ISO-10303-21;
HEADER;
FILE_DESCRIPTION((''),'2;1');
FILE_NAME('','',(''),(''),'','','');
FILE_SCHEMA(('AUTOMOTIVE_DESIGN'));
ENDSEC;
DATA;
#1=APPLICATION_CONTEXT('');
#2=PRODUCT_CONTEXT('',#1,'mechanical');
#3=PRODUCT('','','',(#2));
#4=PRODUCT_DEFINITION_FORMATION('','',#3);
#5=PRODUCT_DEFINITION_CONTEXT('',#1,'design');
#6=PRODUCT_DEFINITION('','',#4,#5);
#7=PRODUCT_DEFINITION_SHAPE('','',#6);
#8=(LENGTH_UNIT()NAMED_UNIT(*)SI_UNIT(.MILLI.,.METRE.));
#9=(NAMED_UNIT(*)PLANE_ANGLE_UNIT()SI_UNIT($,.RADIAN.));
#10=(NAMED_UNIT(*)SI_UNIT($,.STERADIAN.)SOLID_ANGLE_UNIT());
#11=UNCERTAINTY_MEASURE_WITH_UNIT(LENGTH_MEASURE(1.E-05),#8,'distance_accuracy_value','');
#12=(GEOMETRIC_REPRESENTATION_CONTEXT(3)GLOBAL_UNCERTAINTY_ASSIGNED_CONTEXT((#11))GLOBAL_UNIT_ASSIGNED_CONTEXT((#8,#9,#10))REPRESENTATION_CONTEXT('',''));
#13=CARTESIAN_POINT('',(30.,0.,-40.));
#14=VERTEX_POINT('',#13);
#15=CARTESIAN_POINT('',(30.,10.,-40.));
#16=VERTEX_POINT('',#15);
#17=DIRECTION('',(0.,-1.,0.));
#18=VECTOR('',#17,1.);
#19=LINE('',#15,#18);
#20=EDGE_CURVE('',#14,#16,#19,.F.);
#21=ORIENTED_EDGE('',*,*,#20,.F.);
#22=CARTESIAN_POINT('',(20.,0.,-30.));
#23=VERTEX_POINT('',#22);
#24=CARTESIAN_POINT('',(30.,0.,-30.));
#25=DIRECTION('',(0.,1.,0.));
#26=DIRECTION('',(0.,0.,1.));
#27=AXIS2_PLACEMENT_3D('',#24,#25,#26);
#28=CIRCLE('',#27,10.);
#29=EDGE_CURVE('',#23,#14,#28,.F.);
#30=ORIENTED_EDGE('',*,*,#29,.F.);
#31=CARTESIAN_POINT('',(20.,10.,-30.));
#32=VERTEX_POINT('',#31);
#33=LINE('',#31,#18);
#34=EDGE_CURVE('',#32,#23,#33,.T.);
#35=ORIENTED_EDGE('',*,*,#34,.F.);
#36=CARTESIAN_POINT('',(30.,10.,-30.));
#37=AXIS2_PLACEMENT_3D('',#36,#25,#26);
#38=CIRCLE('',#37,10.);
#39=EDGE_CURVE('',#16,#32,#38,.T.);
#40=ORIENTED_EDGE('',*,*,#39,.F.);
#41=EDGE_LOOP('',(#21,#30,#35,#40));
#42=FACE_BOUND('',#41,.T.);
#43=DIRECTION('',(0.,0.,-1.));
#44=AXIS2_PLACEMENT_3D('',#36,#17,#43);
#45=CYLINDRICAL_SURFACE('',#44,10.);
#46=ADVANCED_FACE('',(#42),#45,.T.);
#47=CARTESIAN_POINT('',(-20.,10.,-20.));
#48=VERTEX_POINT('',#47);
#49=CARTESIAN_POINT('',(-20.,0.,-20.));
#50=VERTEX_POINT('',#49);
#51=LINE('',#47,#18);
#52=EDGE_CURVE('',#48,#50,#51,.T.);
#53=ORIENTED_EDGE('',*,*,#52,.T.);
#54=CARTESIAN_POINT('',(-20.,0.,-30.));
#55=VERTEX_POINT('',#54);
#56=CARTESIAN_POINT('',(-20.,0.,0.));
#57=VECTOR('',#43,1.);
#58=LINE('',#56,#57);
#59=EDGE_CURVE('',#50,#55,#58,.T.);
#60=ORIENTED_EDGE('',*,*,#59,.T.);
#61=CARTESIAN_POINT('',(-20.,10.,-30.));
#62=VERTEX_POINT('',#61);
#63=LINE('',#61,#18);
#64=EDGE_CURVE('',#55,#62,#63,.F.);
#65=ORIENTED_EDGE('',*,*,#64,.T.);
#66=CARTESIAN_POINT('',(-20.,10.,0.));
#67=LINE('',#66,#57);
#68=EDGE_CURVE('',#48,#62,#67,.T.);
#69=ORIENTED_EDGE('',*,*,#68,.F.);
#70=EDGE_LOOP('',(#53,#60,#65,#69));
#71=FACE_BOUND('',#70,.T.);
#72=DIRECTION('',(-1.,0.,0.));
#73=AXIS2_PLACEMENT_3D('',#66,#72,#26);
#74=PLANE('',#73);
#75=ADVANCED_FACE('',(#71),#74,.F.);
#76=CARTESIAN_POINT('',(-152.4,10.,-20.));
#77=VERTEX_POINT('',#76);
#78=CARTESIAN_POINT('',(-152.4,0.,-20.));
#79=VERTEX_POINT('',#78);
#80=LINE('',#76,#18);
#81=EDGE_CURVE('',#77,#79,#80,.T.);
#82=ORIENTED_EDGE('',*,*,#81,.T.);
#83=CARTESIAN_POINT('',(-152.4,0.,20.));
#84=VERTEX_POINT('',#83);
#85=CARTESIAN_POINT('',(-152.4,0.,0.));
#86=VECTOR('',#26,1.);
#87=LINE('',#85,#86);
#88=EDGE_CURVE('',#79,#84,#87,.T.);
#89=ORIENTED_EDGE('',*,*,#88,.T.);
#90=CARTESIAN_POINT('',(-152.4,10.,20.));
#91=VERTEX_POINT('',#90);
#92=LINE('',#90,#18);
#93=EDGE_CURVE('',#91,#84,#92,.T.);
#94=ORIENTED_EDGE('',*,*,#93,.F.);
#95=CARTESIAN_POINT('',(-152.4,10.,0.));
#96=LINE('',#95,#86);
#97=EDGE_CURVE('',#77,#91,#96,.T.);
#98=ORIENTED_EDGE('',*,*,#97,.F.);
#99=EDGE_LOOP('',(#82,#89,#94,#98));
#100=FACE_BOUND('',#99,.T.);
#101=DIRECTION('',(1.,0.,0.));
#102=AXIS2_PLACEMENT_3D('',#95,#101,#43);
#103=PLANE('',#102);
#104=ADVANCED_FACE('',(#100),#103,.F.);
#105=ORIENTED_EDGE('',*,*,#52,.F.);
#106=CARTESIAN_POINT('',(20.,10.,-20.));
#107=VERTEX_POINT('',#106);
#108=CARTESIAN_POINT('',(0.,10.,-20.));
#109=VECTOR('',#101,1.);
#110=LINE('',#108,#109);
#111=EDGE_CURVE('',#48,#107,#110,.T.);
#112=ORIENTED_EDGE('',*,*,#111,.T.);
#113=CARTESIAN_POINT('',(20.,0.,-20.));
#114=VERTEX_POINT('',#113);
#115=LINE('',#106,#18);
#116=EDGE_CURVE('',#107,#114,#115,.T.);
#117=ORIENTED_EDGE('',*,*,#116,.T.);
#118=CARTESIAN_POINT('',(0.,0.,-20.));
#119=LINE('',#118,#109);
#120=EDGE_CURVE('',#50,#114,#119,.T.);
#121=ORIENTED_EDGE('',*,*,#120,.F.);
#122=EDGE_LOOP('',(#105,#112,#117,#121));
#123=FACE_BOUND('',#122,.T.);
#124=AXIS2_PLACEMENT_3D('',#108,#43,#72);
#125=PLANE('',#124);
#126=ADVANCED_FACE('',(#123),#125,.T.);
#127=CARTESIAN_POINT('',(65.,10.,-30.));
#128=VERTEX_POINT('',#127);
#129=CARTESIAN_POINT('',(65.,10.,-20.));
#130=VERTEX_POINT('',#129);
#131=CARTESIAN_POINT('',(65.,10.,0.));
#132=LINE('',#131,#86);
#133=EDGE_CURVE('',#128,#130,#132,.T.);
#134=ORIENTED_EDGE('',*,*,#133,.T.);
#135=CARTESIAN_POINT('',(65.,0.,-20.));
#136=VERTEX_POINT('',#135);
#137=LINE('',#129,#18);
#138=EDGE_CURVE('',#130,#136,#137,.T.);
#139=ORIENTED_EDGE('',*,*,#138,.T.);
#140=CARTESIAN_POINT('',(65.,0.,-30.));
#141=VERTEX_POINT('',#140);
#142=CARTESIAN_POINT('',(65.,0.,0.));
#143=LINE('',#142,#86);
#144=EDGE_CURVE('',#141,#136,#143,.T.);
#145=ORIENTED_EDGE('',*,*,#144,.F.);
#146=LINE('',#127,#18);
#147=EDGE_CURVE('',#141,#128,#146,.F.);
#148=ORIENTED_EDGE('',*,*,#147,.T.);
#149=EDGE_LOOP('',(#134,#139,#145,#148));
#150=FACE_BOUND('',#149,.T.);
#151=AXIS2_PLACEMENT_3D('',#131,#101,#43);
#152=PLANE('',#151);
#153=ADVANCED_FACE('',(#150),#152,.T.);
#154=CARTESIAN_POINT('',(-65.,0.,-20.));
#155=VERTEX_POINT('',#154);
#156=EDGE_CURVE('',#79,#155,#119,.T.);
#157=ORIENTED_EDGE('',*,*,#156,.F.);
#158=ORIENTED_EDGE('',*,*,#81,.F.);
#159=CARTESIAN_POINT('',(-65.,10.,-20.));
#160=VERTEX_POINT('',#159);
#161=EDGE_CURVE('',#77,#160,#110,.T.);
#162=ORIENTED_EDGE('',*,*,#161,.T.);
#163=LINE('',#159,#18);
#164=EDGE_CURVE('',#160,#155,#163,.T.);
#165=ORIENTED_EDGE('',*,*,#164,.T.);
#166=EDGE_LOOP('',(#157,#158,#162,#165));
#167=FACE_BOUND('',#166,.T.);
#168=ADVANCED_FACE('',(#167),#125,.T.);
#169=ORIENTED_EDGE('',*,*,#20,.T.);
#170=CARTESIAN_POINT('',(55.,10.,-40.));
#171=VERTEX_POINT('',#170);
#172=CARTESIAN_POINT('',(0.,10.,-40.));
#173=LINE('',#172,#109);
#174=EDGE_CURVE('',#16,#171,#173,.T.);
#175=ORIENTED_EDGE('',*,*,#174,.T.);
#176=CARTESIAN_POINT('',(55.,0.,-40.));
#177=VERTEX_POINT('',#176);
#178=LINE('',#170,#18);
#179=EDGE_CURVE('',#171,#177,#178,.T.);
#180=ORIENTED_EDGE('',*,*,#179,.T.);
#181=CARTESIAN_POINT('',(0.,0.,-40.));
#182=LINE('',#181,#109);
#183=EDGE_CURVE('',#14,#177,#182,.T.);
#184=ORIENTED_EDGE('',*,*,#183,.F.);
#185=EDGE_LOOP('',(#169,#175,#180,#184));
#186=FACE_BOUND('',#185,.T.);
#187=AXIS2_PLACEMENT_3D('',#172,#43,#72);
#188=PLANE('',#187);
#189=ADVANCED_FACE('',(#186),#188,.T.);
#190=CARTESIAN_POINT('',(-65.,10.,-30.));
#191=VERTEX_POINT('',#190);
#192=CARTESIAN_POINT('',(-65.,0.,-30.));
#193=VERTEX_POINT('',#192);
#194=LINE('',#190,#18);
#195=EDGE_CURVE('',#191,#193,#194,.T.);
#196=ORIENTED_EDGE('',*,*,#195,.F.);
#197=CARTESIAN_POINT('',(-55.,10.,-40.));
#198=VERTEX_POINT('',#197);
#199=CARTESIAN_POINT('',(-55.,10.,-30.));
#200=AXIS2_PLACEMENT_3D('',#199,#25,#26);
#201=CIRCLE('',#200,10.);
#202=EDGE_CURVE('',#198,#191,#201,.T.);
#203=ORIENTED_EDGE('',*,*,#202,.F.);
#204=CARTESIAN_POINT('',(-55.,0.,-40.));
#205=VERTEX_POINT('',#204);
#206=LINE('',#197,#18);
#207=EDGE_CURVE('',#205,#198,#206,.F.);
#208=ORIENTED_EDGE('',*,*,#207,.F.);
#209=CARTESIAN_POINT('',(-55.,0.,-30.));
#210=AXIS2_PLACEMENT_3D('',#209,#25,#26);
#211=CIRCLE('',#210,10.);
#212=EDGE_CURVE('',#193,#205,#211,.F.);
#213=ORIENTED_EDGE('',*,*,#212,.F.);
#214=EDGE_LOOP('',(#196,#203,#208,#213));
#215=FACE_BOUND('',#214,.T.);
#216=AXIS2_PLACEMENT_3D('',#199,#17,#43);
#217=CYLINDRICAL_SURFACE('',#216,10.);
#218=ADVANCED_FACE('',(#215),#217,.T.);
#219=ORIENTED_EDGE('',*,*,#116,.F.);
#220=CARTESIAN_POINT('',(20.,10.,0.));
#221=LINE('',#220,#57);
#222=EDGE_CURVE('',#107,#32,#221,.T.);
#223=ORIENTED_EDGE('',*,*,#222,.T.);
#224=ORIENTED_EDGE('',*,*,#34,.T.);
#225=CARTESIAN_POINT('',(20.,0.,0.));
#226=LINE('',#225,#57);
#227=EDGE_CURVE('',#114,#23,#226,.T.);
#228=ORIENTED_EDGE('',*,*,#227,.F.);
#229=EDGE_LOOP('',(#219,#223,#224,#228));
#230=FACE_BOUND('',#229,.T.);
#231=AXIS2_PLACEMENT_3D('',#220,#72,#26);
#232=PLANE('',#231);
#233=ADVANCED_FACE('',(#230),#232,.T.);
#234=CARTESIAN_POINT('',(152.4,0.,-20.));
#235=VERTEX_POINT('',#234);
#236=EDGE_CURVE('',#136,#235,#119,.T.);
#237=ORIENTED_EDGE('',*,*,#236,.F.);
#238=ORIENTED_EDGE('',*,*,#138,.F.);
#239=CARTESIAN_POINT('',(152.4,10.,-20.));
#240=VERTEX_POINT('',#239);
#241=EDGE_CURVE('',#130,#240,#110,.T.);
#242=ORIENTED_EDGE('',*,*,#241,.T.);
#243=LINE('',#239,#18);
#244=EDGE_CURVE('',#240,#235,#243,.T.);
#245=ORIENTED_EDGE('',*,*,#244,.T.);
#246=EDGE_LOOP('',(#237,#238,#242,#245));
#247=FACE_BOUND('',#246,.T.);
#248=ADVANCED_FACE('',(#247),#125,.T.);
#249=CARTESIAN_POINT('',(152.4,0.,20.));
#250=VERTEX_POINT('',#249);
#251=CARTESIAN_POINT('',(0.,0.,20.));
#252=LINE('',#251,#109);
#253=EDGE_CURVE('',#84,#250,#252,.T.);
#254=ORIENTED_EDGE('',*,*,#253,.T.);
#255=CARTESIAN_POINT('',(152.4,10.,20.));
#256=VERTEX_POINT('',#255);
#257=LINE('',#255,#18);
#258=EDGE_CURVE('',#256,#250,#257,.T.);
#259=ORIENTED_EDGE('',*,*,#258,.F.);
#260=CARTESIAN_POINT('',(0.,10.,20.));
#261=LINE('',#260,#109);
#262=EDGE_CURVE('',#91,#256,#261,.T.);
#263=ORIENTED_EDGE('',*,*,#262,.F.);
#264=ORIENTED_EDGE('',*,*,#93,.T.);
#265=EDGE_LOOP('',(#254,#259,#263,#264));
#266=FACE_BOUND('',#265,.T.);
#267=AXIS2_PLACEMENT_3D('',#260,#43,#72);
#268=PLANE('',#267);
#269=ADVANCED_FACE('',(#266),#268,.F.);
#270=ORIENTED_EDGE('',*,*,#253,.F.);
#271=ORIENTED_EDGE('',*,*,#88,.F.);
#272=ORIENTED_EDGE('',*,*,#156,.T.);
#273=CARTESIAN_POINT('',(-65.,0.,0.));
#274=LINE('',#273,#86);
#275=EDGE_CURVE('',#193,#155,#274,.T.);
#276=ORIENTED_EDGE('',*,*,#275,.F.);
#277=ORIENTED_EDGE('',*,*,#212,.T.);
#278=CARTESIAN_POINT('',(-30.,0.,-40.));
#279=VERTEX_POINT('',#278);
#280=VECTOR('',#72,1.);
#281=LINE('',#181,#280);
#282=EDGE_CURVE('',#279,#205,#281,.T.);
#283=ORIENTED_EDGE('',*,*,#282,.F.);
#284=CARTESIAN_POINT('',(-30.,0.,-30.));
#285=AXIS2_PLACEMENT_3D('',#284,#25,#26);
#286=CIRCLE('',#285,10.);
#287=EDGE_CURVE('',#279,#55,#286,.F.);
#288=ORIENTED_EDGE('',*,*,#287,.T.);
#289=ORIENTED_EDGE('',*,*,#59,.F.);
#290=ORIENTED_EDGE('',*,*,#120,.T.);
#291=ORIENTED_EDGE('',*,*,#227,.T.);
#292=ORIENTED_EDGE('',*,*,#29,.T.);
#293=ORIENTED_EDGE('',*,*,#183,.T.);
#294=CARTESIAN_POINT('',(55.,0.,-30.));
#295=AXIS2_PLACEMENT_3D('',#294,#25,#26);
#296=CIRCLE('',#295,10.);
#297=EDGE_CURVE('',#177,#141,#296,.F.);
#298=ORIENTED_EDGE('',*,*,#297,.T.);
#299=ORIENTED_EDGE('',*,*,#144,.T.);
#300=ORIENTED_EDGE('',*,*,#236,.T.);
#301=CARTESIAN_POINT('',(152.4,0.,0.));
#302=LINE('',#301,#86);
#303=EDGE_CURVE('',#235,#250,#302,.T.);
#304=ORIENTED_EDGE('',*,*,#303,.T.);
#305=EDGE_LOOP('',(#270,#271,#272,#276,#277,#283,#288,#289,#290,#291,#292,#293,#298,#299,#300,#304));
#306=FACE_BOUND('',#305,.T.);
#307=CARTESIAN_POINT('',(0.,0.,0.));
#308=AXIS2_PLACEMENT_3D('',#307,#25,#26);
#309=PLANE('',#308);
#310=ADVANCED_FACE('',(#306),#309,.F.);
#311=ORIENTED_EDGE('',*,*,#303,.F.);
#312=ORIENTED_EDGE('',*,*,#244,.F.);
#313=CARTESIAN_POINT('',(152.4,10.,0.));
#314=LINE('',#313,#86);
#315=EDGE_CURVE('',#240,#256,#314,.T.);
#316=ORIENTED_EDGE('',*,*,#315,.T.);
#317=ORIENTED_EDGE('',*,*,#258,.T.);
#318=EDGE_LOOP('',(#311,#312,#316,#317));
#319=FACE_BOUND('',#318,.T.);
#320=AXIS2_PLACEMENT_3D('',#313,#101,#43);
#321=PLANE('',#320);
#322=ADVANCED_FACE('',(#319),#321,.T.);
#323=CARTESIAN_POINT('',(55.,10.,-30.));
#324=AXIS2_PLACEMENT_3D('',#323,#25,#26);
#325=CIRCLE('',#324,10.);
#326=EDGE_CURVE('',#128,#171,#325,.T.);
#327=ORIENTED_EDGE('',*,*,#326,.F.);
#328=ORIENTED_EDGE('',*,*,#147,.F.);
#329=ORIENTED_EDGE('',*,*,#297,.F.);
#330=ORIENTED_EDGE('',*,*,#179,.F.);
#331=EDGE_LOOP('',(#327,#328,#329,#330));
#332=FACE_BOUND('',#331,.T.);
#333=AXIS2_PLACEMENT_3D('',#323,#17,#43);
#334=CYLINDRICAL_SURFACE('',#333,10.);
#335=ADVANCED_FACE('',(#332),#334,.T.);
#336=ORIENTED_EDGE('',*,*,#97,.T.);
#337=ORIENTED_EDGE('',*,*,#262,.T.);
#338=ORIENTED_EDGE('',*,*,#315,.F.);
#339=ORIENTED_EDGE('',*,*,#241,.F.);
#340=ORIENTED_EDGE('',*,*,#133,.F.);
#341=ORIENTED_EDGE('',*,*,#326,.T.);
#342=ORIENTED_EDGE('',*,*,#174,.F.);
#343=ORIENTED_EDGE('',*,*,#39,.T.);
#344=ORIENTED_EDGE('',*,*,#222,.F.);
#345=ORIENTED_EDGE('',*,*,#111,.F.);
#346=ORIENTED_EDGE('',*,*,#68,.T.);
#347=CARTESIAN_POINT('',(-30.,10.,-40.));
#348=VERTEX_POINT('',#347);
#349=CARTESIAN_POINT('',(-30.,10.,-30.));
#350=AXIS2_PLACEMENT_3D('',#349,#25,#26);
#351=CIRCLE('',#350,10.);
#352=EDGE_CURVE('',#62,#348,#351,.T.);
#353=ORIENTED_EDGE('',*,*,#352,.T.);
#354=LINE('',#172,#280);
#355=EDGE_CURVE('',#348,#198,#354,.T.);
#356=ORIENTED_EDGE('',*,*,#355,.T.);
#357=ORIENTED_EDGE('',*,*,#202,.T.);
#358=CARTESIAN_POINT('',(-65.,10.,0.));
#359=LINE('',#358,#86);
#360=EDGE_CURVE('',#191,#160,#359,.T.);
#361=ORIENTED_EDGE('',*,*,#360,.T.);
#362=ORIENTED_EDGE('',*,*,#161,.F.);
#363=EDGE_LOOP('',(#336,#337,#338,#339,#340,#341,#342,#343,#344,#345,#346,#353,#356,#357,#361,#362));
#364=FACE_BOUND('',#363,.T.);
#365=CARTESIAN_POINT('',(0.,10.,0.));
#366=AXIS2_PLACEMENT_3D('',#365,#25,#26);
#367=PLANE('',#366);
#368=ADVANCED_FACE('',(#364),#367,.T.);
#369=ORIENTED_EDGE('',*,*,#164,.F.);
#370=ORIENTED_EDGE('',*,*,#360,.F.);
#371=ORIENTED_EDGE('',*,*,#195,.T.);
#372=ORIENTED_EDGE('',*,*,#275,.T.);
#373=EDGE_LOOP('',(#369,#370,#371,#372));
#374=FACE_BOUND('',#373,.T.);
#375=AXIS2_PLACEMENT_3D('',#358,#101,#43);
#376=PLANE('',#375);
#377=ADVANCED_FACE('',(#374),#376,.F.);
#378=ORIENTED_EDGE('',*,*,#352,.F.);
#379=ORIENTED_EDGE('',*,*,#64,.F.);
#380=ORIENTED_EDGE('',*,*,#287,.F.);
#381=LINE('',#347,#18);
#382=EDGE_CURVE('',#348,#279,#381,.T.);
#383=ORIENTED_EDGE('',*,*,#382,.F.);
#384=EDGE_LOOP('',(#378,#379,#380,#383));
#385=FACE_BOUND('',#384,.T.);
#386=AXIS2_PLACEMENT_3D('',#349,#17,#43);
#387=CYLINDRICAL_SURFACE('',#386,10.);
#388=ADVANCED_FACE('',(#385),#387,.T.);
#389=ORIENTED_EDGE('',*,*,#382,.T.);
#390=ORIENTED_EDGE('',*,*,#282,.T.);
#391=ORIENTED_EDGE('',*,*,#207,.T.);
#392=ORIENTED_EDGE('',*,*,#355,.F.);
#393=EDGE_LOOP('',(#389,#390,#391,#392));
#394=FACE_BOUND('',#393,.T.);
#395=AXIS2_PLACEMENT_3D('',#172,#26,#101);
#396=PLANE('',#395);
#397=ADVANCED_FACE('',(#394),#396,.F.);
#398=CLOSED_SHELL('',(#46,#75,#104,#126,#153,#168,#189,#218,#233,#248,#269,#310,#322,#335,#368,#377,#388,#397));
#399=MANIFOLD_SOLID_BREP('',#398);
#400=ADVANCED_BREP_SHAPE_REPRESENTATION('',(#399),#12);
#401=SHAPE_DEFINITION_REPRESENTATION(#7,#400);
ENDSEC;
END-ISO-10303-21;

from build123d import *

# Parameters (mm, degrees)
SKETCH1_W           = 45
SKETCH1_H           = 20
SKETCH1_W_2         = 304.8
SKETCH1_H_2         = 40
BOSS_EXTRUDE1_DEPTH = 10
FILLET1_R           = 10


with BuildPart() as part:
    # Sketch1 → Boss-Extrude1 (new body)
    with BuildSketch(Plane(origin=(0, 0, 0), x_dir=(1, 0, 0), z_dir=(0, 1, 0))):
        with Locations((-42.5, 30)):
            Rectangle(SKETCH1_W, SKETCH1_H)
        with Locations((42.5, 30)):
            Rectangle(SKETCH1_W, SKETCH1_H)
        Rectangle(SKETCH1_W_2, SKETCH1_H_2)
    extrude(amount=BOSS_EXTRUDE1_DEPTH)

    # Fillet1
    fillet1_edges = [part.edges().sort_by_distance(p)[0] for p in [
        (-20, 5, -40),
        (20, 5, -40),
        (65, 5, -40),
        (-65, 5, -40),
    ]]
    fillet(fillet1_edges, radius=FILLET1_R)


solid = part.part
